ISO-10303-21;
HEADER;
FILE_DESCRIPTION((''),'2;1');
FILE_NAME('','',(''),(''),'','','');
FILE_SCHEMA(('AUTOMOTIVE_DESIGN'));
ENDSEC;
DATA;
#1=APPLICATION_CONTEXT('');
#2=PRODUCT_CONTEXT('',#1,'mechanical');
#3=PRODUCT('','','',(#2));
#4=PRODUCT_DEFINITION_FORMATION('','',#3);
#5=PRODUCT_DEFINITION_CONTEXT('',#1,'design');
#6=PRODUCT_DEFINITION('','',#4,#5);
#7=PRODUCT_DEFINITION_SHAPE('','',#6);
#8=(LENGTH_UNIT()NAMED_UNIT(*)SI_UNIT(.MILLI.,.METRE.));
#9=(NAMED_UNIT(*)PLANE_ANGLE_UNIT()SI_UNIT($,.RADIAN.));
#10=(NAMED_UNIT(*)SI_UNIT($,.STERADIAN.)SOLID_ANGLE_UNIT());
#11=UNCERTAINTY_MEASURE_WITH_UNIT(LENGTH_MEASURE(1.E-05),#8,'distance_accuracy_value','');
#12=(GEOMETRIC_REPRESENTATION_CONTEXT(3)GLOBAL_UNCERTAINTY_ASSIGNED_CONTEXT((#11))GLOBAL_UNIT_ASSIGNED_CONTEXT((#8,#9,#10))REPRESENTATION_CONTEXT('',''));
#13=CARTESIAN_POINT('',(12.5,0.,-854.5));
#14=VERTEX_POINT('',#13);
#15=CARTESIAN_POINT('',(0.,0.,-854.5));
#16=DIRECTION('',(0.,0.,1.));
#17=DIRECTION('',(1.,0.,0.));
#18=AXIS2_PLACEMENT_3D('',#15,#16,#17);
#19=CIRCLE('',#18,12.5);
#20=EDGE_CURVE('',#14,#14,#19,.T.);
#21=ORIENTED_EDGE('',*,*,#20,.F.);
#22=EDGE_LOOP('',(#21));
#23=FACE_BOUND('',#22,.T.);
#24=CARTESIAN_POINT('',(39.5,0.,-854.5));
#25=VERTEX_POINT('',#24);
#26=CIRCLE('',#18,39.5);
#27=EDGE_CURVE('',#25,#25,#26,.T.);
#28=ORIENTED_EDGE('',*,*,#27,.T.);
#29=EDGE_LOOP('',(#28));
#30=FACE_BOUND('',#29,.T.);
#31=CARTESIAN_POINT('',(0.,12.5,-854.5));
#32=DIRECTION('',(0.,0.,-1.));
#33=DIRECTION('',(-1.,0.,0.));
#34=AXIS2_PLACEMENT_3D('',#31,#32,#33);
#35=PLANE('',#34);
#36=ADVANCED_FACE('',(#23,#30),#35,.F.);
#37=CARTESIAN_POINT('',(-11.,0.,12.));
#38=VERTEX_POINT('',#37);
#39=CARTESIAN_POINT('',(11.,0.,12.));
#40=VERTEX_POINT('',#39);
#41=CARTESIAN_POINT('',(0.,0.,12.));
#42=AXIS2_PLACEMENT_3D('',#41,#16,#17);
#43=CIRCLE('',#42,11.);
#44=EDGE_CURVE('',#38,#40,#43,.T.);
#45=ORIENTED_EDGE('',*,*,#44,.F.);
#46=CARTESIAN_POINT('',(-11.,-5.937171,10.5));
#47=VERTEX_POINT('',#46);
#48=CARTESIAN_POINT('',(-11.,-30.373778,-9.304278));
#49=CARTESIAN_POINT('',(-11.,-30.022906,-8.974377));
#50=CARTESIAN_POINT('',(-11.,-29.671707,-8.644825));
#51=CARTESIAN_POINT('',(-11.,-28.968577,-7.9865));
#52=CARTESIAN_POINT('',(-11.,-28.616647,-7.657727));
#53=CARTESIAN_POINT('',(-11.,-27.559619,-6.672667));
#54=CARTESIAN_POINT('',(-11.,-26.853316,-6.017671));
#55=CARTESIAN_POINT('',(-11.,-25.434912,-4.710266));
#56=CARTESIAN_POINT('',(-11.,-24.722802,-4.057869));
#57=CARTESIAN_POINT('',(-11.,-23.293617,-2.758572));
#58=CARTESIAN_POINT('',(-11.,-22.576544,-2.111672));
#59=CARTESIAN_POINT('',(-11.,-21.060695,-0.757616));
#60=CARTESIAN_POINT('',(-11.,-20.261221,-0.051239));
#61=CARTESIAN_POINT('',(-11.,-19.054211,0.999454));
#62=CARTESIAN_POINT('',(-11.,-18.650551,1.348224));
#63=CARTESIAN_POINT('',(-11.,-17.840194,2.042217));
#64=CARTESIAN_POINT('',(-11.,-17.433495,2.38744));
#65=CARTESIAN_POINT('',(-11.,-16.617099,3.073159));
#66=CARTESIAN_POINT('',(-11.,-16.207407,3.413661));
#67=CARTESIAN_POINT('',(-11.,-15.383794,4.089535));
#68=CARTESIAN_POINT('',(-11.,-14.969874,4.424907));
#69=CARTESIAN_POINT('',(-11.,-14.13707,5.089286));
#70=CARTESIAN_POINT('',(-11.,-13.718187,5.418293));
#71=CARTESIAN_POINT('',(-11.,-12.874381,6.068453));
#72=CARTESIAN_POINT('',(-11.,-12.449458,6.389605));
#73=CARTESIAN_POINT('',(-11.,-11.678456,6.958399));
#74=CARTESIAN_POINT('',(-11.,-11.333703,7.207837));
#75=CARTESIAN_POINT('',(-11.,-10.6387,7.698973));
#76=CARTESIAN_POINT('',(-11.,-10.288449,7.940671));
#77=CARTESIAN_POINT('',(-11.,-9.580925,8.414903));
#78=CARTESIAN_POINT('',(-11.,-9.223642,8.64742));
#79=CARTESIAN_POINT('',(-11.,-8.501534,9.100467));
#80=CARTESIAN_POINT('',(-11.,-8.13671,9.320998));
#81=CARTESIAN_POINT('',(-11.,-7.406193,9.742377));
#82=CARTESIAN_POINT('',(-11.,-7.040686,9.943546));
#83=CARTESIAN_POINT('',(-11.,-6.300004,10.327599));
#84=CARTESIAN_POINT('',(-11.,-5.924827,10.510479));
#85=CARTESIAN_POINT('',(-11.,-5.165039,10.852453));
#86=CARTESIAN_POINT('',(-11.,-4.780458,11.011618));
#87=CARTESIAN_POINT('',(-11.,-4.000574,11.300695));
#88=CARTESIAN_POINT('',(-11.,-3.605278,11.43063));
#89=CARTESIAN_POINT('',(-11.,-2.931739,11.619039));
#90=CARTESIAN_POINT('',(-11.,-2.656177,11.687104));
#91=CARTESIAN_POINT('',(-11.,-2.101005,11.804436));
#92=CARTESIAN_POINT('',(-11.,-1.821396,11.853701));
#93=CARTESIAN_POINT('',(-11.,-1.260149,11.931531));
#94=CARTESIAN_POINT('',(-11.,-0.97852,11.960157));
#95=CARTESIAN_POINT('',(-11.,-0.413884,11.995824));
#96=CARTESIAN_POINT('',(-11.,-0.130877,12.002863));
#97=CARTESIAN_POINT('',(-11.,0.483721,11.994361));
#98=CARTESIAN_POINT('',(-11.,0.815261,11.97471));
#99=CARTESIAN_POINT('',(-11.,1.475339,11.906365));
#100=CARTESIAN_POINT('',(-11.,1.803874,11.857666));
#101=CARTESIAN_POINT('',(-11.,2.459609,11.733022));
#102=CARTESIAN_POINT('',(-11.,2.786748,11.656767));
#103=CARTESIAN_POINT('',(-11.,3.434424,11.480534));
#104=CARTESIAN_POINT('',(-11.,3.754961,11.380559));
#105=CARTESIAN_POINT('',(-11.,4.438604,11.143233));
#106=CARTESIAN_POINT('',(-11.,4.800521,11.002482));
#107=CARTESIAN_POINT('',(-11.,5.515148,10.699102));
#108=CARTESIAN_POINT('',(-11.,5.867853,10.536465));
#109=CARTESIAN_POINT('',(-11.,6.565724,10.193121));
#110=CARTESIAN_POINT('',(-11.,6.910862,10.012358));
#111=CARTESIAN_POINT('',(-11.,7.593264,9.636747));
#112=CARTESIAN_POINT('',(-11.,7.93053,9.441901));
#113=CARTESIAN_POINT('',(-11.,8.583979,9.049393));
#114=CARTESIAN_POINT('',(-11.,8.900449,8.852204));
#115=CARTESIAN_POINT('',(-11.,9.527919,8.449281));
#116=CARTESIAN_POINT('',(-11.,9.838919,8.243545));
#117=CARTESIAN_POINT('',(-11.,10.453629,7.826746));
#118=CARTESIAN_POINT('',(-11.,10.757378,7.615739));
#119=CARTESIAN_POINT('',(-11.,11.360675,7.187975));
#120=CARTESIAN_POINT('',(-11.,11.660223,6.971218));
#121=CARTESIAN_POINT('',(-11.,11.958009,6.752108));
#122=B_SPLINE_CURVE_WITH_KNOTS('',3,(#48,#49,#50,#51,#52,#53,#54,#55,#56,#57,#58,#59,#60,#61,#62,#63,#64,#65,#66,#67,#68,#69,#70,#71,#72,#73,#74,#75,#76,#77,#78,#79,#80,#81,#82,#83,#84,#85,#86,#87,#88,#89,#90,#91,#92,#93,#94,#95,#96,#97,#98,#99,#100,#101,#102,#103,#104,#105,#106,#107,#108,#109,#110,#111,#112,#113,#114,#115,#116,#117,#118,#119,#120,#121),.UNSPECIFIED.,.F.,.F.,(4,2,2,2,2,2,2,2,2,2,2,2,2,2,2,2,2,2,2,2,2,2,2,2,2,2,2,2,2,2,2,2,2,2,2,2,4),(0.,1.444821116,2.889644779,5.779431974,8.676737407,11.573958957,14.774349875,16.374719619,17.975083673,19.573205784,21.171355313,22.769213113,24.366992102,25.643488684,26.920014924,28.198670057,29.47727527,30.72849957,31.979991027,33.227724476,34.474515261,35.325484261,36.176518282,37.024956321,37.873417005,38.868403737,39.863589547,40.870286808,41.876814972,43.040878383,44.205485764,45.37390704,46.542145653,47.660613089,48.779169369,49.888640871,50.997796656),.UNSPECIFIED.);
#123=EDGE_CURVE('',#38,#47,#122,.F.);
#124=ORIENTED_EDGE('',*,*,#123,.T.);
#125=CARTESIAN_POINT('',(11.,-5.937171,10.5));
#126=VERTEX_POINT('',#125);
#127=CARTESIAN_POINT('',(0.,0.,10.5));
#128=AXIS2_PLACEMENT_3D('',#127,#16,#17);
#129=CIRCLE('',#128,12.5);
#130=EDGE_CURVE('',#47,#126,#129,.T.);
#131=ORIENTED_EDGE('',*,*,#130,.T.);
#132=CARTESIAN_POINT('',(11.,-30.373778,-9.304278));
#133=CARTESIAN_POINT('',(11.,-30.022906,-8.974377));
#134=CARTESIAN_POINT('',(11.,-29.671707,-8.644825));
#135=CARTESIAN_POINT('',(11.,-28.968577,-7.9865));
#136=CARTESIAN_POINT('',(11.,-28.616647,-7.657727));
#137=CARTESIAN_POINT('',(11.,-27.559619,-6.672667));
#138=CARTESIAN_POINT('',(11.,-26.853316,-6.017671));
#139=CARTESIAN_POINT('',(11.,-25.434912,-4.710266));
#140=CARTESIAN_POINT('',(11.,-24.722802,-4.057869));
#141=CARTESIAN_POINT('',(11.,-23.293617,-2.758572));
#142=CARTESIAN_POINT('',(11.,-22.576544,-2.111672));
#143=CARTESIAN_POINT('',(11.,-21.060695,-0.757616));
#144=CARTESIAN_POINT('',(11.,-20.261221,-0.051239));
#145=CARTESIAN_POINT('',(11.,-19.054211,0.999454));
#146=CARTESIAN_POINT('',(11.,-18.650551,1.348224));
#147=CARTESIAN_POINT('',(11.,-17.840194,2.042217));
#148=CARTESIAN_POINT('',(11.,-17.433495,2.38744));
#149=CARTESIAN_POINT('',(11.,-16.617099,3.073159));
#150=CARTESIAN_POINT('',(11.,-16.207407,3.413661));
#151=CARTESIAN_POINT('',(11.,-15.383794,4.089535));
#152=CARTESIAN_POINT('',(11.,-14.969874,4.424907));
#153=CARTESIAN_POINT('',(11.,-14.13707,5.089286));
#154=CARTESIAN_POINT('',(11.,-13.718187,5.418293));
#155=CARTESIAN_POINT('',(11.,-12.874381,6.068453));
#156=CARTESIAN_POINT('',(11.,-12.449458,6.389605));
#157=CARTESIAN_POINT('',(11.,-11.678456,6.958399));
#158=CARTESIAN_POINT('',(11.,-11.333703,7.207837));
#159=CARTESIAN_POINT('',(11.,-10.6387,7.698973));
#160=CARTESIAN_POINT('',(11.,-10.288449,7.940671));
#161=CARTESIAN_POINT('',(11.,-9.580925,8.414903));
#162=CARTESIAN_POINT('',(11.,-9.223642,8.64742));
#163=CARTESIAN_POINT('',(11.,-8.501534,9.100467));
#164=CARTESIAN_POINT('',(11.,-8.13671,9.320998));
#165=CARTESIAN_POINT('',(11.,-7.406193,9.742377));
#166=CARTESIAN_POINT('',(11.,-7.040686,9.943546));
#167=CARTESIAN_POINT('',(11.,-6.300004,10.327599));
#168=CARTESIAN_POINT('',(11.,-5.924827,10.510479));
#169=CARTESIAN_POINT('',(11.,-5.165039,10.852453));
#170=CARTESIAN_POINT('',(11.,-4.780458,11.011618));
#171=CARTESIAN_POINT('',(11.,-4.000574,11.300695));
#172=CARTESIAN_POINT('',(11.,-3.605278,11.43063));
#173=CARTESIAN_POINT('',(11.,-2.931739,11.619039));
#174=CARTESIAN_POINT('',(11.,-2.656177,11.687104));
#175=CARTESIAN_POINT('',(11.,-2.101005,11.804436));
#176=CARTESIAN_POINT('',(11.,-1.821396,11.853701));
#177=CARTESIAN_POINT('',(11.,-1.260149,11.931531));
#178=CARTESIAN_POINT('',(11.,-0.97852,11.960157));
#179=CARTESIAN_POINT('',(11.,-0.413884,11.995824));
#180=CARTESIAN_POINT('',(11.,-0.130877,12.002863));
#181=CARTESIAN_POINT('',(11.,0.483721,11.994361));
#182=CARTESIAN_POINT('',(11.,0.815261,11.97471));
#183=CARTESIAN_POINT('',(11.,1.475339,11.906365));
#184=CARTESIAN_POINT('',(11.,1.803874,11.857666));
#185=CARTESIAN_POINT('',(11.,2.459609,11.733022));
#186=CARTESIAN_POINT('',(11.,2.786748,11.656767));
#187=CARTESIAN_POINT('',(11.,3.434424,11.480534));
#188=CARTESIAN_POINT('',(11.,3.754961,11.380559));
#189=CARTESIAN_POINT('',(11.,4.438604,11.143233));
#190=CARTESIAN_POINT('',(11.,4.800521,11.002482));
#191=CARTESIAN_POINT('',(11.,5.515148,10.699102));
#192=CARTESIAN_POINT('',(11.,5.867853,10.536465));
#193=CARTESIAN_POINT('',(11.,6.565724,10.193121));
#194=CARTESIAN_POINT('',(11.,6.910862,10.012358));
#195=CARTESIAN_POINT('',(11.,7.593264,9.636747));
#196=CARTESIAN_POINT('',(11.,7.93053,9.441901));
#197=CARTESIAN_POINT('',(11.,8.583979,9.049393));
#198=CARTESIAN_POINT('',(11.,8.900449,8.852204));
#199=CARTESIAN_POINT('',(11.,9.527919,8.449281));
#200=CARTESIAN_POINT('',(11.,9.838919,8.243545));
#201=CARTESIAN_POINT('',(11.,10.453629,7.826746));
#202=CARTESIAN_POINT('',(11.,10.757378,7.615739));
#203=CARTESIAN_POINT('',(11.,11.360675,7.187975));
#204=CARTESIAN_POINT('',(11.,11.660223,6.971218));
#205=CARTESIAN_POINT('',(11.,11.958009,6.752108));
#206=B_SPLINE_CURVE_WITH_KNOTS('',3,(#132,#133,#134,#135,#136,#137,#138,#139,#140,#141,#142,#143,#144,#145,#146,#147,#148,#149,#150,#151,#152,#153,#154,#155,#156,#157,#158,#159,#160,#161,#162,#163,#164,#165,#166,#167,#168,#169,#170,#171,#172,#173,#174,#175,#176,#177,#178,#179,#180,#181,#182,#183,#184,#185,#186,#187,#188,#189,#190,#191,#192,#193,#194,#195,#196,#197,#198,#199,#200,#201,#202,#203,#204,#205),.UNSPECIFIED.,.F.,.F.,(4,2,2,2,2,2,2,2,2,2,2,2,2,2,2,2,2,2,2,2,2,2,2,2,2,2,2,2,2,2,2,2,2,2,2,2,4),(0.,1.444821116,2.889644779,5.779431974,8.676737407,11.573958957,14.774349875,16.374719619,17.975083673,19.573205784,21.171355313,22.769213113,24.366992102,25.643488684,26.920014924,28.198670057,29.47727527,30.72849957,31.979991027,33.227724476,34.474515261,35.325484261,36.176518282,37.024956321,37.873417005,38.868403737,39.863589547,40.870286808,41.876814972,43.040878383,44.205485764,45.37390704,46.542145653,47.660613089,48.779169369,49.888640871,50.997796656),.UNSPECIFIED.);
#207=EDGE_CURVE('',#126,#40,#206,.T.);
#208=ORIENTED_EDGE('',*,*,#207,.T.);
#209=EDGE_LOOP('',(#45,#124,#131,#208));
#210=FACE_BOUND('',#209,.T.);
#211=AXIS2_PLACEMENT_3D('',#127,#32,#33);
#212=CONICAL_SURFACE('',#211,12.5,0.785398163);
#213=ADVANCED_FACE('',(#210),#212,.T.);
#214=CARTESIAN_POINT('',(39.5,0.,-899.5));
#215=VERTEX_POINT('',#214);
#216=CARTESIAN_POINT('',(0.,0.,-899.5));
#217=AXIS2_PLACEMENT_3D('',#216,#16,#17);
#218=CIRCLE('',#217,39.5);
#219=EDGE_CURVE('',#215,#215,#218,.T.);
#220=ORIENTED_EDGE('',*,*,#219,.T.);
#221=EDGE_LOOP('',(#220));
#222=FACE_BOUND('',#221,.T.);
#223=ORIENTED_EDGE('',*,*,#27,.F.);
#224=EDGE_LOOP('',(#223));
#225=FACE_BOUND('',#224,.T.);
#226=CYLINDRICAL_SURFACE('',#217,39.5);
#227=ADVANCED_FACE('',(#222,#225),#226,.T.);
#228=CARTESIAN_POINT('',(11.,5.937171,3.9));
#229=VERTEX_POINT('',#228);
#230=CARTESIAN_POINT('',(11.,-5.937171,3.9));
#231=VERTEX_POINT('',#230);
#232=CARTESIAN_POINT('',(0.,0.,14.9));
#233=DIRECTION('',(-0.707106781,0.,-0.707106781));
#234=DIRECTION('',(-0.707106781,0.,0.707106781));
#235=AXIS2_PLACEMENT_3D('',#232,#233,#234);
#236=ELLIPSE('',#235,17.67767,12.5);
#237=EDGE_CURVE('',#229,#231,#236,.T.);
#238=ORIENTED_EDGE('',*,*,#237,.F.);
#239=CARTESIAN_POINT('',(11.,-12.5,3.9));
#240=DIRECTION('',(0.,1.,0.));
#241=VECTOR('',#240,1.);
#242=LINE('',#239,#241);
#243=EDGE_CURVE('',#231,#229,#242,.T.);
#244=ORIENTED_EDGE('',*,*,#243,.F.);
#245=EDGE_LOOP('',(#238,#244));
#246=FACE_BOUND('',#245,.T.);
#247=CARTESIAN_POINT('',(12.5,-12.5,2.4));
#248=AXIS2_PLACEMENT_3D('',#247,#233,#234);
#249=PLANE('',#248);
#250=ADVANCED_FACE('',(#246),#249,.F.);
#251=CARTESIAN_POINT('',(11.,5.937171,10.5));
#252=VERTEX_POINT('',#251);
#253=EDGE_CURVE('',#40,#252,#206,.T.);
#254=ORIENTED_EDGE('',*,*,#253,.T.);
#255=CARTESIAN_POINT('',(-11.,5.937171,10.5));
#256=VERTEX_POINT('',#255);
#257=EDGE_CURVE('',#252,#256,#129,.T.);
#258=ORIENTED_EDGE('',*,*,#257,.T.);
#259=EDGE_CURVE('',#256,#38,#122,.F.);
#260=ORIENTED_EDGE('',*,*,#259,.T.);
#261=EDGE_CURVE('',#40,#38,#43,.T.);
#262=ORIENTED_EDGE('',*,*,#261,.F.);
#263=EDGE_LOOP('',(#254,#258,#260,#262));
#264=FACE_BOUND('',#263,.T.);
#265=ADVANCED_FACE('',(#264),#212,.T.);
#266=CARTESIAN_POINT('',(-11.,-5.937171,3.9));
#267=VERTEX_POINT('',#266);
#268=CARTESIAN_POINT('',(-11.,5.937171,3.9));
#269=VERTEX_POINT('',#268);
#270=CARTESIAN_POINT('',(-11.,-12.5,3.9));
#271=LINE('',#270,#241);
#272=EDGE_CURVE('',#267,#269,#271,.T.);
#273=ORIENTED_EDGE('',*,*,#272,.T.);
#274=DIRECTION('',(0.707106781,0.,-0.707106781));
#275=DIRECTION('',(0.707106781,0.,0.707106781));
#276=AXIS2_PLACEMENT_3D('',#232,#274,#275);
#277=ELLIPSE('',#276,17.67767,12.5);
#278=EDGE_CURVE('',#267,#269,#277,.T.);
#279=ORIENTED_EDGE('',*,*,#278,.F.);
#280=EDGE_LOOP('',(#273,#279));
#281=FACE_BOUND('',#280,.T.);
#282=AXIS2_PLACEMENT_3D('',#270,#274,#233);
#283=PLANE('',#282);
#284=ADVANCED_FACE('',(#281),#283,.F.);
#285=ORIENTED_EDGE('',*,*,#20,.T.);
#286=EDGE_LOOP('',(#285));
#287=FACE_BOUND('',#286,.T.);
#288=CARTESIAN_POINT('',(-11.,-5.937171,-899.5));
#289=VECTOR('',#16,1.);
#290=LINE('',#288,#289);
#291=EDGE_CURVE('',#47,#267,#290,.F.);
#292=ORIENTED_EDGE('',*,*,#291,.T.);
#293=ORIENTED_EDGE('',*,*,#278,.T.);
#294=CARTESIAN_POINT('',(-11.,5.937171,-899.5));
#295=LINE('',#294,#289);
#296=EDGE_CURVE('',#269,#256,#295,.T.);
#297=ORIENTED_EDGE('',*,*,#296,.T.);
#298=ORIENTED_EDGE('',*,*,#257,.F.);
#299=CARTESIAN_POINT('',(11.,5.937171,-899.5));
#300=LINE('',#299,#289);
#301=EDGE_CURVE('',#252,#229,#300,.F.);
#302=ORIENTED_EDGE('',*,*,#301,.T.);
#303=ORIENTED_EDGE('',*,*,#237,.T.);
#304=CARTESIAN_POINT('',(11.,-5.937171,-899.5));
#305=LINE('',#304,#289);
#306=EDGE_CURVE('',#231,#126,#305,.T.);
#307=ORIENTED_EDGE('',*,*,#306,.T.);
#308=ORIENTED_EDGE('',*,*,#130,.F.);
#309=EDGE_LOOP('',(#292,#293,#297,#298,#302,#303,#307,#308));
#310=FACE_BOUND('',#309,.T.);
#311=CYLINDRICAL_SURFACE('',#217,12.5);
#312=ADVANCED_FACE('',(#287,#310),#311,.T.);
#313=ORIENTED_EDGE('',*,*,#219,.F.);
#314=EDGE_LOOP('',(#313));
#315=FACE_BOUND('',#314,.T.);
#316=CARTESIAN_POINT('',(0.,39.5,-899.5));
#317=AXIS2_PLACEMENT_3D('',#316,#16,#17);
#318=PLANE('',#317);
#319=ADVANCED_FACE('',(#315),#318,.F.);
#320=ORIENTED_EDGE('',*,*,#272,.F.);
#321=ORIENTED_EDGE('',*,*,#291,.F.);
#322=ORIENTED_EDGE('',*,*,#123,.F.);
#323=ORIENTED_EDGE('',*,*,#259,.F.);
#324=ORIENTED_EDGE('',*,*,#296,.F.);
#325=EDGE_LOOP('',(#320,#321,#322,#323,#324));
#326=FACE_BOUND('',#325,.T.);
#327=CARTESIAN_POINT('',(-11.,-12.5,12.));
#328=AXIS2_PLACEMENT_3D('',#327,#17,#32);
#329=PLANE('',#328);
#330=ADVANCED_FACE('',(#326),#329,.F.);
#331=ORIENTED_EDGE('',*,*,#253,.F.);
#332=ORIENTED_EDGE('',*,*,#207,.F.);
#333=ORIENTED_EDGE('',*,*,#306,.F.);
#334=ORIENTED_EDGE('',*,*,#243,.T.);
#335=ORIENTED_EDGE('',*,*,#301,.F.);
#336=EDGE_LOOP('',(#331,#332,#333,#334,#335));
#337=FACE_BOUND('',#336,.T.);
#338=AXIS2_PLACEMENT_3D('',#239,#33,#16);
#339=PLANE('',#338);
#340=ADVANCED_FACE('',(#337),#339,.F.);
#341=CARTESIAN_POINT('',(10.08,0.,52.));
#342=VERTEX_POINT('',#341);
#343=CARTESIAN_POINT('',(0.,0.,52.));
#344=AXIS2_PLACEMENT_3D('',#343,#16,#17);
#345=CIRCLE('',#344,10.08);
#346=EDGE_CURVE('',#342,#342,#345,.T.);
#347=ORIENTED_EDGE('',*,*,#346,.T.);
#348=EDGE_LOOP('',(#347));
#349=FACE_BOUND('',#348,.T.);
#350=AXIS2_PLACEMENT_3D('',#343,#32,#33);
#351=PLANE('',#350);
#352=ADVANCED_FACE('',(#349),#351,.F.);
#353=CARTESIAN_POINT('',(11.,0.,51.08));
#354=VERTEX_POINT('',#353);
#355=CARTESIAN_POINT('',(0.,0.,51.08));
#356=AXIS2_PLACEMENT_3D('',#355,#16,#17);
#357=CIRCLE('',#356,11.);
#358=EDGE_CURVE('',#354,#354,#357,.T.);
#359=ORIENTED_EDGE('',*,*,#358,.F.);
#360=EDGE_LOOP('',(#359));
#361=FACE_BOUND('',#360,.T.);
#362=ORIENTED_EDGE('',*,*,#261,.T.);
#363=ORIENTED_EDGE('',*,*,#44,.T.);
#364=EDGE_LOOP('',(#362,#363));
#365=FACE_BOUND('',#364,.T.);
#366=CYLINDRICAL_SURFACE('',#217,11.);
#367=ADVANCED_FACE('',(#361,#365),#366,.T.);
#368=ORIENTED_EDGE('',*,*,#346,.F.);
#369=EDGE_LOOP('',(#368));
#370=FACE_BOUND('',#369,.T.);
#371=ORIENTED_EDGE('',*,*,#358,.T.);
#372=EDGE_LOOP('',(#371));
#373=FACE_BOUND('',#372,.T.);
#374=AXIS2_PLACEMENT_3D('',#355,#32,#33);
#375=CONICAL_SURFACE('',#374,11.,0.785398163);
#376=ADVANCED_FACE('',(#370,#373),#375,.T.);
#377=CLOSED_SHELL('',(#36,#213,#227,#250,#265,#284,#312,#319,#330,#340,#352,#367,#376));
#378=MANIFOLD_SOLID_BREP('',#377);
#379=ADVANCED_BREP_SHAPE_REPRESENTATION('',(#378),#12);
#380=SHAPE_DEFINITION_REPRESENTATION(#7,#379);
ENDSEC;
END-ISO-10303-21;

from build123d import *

# Parameters (mm, degrees)
CUT_EXTRUDE_1_DEPTH      = 12.5
CUT_EXTRUDE_1_DEPTH_BACK = 12.5
CUT_EXTRUDE_2_DEPTH      = 12.5
CUT_EXTRUDE_2_DEPTH_BACK = 12.5


with BuildPart() as part:
    # 草图1 → 旋转1 (revolve)
    with BuildSketch(Plane(origin=(0, 0, 0), x_dir=(0, 0, -1), z_dir=(1, 0, 0))):
        Polygon((-52, 0), (-52, 10.08), (-51.08, 11), (-12, 11), (-10.5, 12.5), (854.5, 12.5), (854.5, 39.5), (899.5, 39.5), (899.5, 0), align=None)
    revolve(axis=Axis((0, 0, -899.5), (0, 0, 1)))

    # 草图2 → 切除-拉伸1 (cut, two sides: drawn at the far end of the back side and taken through both)
    with BuildSketch(Plane(origin=(0, 0, 0), x_dir=(1, 0, 0), z_dir=(0, 1, 0)).offset(-CUT_EXTRUDE_1_DEPTH_BACK)):
        Polygon((11, -3.9), (11, -12), (12.5, -12), (12.5, -2.4), align=None)
    extrude(amount=CUT_EXTRUDE_1_DEPTH + CUT_EXTRUDE_1_DEPTH_BACK, mode=Mode.SUBTRACT)

    # 草图3 → 切除-拉伸2 (cut, two sides: drawn at the far end of the back side and taken through both)
    with BuildSketch(Plane(origin=(0, 0, 0), x_dir=(1, 0, 0), z_dir=(0, 1, 0)).offset(-CUT_EXTRUDE_2_DEPTH_BACK)):
        Polygon((-12.5, -2.4), (-12.5, -12), (-11, -12), (-11, -3.9), align=None)
    extrude(amount=CUT_EXTRUDE_2_DEPTH + CUT_EXTRUDE_2_DEPTH_BACK, mode=Mode.SUBTRACT)


solid = part.part
